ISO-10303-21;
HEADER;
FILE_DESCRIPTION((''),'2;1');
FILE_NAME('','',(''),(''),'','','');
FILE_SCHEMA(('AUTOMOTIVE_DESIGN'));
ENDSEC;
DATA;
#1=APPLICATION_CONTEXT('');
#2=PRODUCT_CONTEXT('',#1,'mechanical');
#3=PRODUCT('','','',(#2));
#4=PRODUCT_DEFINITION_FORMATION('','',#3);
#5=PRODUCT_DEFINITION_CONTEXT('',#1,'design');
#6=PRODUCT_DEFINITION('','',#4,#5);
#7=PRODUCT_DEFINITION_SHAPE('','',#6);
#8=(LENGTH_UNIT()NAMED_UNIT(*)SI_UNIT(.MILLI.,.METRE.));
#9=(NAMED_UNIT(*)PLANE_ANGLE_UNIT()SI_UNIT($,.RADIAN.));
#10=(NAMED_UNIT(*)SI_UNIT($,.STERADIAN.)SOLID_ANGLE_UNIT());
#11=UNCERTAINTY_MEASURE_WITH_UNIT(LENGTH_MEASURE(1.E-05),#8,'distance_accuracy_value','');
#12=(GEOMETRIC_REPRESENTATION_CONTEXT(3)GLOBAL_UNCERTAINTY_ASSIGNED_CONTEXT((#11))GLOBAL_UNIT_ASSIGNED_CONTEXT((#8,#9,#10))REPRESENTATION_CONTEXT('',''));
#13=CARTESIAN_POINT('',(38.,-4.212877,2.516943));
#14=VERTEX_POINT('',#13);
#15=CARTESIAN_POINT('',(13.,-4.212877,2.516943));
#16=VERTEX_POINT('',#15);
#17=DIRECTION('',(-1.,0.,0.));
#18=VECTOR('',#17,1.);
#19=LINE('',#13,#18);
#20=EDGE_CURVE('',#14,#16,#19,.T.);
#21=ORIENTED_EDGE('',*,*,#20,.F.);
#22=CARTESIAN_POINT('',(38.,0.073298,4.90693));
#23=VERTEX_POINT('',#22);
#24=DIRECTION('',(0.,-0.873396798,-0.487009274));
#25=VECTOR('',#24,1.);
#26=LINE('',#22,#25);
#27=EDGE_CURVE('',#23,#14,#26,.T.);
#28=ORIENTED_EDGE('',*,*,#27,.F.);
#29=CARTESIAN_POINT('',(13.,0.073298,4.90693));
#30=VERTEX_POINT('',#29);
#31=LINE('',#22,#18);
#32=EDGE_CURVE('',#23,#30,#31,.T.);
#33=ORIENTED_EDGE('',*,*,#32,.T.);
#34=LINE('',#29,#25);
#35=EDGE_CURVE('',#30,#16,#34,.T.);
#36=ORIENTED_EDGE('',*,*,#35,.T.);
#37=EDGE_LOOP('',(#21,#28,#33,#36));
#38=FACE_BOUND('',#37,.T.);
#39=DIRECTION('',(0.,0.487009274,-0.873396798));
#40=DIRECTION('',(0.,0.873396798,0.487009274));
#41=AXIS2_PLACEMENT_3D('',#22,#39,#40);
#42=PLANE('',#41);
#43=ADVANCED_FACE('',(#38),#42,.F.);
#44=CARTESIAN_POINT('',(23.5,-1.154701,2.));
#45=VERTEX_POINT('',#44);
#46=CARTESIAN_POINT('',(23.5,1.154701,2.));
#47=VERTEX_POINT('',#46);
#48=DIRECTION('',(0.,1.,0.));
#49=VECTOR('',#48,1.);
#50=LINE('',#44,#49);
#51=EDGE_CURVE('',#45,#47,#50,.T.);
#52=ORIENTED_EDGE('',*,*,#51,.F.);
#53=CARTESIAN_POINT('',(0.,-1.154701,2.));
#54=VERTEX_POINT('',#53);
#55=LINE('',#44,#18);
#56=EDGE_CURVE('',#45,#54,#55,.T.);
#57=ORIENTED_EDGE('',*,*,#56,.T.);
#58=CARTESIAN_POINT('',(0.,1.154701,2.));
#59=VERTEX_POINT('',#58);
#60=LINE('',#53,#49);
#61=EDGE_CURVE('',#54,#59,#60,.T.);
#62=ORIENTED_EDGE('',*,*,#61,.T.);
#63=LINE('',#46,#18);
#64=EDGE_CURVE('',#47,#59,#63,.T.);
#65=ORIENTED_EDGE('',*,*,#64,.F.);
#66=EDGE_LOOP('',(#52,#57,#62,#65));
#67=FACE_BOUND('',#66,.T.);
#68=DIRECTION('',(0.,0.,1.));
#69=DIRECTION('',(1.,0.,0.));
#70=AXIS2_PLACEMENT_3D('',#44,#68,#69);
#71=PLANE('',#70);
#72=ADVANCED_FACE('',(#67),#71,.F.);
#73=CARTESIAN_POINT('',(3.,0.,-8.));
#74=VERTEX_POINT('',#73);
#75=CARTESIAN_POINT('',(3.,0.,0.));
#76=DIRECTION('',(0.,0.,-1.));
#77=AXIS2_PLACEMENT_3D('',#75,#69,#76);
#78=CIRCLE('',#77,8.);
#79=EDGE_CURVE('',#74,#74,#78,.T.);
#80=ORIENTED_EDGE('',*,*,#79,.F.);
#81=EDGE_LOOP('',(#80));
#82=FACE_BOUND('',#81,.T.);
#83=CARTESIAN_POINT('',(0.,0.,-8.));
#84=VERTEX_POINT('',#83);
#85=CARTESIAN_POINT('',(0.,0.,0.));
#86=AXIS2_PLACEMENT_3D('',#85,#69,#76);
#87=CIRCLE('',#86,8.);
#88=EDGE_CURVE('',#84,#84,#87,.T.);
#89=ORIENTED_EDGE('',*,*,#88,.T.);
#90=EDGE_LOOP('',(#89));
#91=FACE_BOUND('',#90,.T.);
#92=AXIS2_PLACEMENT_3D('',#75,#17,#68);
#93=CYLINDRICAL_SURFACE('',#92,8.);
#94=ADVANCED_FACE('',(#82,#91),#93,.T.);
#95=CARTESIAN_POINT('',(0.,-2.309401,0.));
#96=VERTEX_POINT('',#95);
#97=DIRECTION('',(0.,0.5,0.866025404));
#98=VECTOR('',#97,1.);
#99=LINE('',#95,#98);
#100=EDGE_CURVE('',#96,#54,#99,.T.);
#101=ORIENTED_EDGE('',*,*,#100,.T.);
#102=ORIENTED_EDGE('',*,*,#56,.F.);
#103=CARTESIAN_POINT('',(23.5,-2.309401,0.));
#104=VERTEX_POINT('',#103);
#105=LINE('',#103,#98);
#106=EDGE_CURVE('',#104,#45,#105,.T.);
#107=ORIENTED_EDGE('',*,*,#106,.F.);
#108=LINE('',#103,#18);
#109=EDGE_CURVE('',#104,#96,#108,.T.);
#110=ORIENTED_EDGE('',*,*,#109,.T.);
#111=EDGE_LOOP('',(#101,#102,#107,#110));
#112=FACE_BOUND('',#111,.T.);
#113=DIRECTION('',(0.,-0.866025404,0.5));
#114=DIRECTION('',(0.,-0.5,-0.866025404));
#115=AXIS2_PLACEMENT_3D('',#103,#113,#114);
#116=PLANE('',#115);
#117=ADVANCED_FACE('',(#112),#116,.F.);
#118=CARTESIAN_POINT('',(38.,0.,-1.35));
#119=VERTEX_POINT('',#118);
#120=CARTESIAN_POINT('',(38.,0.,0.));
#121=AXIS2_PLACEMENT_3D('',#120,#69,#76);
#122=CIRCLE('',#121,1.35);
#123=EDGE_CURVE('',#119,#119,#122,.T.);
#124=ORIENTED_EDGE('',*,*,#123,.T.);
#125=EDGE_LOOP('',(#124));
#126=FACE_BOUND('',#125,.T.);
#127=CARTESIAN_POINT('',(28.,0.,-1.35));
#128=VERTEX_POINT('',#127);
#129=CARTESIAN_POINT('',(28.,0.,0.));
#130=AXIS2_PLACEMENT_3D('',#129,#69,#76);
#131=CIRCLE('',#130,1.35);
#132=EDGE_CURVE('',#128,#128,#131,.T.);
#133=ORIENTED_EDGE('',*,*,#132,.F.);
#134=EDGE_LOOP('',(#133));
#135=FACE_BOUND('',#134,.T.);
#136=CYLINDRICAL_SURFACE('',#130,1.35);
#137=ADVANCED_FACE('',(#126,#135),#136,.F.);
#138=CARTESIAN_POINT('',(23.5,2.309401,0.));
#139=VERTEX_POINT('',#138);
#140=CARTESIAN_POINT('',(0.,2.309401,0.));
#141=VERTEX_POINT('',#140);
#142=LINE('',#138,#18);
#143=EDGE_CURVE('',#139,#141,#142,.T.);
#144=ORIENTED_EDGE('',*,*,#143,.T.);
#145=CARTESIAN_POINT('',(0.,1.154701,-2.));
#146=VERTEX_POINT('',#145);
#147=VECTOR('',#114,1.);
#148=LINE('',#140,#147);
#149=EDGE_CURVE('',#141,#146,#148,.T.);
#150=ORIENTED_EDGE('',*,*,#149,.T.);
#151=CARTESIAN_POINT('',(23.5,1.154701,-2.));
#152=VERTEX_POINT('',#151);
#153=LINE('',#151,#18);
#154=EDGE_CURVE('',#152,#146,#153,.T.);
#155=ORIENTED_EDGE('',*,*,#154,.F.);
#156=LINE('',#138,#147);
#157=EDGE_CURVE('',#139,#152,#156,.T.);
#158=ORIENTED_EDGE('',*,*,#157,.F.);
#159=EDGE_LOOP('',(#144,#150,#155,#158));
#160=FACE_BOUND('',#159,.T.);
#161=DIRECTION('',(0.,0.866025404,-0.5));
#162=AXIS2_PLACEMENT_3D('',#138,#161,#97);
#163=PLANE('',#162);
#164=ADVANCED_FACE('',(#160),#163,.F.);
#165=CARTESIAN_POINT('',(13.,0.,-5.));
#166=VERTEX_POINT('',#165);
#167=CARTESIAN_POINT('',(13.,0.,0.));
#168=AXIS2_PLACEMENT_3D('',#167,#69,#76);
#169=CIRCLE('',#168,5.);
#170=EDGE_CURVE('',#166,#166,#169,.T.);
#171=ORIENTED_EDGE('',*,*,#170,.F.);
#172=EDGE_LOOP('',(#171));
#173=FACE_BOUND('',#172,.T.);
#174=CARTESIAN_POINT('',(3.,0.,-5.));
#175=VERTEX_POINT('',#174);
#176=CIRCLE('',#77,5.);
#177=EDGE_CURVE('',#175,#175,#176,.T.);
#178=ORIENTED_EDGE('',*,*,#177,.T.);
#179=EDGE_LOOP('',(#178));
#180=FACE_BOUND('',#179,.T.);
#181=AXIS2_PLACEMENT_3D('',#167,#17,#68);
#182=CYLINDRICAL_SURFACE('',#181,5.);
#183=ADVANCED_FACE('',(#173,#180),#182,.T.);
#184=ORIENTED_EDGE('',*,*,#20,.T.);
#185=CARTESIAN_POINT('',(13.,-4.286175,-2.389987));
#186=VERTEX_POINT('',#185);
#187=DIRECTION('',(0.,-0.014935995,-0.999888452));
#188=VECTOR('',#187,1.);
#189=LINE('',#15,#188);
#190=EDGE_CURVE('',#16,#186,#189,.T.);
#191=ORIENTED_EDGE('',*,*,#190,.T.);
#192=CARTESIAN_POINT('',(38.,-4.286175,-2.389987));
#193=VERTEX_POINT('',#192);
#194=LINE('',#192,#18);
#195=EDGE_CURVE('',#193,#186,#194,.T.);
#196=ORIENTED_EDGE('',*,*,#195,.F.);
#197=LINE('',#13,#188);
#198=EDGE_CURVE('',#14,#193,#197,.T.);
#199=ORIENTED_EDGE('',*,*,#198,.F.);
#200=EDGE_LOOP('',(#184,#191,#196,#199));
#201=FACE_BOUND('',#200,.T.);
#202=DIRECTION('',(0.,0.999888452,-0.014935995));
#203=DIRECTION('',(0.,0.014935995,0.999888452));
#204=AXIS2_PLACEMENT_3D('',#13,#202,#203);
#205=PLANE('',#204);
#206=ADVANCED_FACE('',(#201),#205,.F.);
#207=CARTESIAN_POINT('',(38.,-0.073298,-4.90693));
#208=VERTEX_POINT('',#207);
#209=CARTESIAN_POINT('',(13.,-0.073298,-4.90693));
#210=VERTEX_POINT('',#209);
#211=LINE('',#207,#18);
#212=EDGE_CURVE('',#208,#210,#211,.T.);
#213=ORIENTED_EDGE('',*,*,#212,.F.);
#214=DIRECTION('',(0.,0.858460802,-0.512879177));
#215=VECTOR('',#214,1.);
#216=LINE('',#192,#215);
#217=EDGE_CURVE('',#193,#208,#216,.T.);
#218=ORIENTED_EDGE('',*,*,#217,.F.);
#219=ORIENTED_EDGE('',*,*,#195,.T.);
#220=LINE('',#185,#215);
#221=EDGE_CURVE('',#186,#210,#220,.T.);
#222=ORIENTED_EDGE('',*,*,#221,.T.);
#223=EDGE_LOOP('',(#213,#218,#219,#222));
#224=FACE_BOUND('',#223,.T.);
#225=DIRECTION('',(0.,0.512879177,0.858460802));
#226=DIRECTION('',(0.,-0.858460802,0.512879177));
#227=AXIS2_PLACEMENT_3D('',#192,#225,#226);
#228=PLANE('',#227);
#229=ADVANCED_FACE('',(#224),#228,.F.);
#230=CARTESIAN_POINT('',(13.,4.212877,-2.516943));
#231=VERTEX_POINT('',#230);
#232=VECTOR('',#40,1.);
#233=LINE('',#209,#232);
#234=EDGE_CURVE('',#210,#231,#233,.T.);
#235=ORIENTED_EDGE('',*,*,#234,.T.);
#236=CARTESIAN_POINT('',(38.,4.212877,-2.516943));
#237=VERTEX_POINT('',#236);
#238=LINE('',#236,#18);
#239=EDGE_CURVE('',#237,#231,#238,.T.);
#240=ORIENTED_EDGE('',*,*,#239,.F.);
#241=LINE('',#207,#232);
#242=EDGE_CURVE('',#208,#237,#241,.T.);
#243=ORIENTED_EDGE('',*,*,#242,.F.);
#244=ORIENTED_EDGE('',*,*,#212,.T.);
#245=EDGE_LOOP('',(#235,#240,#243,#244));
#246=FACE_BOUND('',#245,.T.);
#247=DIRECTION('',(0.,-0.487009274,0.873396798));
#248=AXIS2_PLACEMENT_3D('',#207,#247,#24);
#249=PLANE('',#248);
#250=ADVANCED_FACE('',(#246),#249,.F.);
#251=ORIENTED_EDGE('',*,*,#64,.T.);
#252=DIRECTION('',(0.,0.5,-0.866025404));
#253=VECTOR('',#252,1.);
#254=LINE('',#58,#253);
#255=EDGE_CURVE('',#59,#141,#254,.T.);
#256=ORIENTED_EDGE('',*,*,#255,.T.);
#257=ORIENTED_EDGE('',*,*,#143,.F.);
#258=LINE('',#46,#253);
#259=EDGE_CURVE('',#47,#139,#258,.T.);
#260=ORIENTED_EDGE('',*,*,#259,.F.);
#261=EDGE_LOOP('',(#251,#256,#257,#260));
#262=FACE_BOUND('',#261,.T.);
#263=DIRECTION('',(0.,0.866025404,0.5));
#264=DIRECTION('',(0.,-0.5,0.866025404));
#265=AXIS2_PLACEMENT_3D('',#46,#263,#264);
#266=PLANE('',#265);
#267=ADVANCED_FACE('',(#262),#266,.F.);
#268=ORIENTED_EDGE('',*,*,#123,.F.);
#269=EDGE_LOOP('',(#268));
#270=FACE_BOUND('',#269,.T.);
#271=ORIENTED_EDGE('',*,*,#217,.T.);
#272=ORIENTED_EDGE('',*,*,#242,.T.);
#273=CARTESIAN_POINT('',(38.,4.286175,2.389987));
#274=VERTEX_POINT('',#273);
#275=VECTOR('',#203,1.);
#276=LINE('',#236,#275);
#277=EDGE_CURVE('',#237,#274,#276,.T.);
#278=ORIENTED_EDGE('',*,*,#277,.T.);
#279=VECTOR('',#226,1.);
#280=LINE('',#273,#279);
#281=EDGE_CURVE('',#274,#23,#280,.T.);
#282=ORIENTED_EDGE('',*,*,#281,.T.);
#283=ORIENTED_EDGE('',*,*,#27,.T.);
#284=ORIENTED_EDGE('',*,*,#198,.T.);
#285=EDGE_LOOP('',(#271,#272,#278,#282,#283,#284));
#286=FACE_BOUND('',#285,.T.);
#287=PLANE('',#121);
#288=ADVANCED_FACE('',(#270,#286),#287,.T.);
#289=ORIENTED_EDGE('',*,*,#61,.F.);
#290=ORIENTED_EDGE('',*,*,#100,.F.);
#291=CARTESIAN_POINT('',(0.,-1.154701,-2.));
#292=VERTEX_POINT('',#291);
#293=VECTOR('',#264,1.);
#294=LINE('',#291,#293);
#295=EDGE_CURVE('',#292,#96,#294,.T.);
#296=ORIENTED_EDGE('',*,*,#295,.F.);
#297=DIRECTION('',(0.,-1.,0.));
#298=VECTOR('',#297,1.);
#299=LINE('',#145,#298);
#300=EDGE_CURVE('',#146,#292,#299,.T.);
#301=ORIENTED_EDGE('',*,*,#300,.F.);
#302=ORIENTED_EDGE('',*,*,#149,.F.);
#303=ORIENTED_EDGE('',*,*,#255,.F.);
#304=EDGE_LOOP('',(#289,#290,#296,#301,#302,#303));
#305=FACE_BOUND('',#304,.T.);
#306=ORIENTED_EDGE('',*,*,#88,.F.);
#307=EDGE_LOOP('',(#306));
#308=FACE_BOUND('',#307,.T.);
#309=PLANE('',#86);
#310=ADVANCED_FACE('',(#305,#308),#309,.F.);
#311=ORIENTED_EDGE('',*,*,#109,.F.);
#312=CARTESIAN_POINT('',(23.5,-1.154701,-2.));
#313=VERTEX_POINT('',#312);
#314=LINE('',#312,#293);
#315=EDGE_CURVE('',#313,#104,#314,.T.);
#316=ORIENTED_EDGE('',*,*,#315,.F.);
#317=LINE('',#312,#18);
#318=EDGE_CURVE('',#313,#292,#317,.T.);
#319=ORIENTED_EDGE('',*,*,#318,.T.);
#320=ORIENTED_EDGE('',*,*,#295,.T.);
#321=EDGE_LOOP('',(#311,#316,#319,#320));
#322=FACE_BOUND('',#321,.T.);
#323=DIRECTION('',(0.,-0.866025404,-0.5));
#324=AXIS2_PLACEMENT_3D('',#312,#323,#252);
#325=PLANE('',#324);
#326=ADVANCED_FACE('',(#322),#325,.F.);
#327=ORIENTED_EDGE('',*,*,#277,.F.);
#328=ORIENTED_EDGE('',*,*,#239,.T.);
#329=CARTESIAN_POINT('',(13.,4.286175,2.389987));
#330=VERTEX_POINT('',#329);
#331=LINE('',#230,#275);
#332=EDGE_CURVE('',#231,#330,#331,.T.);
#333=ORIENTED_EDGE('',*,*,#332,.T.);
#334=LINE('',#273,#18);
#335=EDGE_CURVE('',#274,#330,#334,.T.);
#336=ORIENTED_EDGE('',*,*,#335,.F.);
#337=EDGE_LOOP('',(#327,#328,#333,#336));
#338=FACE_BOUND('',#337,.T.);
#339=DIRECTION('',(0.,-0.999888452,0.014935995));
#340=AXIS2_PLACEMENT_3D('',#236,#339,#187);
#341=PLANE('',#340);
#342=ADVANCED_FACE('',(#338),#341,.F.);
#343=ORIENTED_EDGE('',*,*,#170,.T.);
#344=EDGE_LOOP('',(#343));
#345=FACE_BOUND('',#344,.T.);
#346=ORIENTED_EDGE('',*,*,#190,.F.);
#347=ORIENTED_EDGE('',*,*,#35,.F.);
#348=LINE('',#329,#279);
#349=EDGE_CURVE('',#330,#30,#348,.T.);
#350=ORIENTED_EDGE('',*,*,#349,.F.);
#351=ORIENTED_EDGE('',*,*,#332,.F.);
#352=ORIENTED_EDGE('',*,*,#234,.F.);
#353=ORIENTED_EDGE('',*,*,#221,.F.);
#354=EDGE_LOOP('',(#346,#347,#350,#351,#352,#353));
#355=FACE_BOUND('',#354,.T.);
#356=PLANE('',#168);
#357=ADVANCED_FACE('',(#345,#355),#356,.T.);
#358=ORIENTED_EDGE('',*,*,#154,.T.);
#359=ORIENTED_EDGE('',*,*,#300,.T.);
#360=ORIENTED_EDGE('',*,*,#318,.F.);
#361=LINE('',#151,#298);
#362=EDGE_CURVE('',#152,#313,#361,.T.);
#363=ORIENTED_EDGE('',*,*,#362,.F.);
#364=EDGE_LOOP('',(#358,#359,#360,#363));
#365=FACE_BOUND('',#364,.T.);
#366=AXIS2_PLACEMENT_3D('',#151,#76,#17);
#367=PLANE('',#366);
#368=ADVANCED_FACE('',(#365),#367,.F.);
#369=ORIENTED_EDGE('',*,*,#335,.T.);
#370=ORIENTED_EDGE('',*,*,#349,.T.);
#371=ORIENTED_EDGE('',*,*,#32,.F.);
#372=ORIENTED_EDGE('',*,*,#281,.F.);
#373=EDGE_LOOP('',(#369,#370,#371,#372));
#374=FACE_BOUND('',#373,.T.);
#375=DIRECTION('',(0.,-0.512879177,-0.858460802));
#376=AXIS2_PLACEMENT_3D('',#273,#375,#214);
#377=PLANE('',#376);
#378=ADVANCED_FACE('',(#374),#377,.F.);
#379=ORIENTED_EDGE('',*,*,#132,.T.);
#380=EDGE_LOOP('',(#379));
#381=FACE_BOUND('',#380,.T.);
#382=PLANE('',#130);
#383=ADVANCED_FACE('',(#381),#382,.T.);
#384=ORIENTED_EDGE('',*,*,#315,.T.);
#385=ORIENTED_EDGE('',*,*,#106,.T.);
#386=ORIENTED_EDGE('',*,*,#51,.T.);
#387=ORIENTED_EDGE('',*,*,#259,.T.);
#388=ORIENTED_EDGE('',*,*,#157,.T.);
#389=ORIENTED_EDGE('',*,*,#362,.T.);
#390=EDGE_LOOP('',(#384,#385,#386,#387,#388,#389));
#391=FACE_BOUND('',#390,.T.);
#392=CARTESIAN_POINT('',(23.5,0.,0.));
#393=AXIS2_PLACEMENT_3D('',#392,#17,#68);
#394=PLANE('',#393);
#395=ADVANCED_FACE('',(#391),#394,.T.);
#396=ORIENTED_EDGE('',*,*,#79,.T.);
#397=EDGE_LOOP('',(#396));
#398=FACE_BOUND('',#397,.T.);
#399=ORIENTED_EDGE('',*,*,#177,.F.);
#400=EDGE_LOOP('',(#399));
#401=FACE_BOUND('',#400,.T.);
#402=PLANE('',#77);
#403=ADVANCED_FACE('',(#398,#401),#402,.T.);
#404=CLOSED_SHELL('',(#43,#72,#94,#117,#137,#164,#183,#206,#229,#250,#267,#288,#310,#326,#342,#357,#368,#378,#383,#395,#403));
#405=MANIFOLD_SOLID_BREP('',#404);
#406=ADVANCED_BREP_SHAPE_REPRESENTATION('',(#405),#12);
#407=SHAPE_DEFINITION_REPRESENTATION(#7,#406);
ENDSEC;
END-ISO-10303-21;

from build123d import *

# Parameters (mm, degrees)
SKETCH2_R           = 8
BOSS_EXTRUDE1_DEPTH = 3
SKETCH3_R           = 5
BOSS_EXTRUDE2_DEPTH = 10
BOSS_EXTRUDE3_DEPTH = 25
SKETCH8_R           = 1.35
CUT_EXTRUDE3_DEPTH  = 10
CUT_EXTRUDE5_DEPTH  = 23.5


with BuildPart() as part:
    # Sketch2 → Boss-Extrude1 (new body)
    with BuildSketch(Plane(origin=(0, 0, 0), x_dir=(0, 0, -1), z_dir=(1, 0, 0))):
        Circle(SKETCH2_R)
    extrude(amount=BOSS_EXTRUDE1_DEPTH)

    # Sketch3 → Boss-Extrude2 (add)
    with BuildSketch(Plane(origin=(3, 0, 0), x_dir=(0, 0, -1), z_dir=(1, 0, 0))):
        Circle(SKETCH3_R)
    extrude(amount=BOSS_EXTRUDE2_DEPTH)

    # Sketch6 → Boss-Extrude3 (add)
    with BuildSketch(Plane(origin=(13, 0, 0), x_dir=(0, 0, -1), z_dir=(1, 0, 0))):
        Polygon((2.389986953, -4.286174949), (4.906929868, -0.073298058), (2.516942915, 4.212876891), (-2.389986953, 4.286174949), (-4.906929868, 0.073298058), (-2.516942915, -4.212876891), align=None)
    extrude(amount=BOSS_EXTRUDE3_DEPTH)

    # Sketch8 → Cut-Extrude3 (cut)
    with BuildSketch(Plane(origin=(38, 0, 0), x_dir=(0, 0, -1), z_dir=(1, 0, 0))):
        Circle(SKETCH8_R)
    extrude(amount=-CUT_EXTRUDE3_DEPTH, mode=Mode.SUBTRACT)

    # Sketch5 → Cut-Extrude5 (cut)
    with BuildSketch(Plane.ZY):
        Polygon((0, -2.309401077), (2, -1.154700538), (2, 1.154700538), (0, 2.309401077), (-2, 1.154700538), (-2, -1.154700538), align=None)
    extrude(amount=-CUT_EXTRUDE5_DEPTH, mode=Mode.SUBTRACT)


solid = part.part
